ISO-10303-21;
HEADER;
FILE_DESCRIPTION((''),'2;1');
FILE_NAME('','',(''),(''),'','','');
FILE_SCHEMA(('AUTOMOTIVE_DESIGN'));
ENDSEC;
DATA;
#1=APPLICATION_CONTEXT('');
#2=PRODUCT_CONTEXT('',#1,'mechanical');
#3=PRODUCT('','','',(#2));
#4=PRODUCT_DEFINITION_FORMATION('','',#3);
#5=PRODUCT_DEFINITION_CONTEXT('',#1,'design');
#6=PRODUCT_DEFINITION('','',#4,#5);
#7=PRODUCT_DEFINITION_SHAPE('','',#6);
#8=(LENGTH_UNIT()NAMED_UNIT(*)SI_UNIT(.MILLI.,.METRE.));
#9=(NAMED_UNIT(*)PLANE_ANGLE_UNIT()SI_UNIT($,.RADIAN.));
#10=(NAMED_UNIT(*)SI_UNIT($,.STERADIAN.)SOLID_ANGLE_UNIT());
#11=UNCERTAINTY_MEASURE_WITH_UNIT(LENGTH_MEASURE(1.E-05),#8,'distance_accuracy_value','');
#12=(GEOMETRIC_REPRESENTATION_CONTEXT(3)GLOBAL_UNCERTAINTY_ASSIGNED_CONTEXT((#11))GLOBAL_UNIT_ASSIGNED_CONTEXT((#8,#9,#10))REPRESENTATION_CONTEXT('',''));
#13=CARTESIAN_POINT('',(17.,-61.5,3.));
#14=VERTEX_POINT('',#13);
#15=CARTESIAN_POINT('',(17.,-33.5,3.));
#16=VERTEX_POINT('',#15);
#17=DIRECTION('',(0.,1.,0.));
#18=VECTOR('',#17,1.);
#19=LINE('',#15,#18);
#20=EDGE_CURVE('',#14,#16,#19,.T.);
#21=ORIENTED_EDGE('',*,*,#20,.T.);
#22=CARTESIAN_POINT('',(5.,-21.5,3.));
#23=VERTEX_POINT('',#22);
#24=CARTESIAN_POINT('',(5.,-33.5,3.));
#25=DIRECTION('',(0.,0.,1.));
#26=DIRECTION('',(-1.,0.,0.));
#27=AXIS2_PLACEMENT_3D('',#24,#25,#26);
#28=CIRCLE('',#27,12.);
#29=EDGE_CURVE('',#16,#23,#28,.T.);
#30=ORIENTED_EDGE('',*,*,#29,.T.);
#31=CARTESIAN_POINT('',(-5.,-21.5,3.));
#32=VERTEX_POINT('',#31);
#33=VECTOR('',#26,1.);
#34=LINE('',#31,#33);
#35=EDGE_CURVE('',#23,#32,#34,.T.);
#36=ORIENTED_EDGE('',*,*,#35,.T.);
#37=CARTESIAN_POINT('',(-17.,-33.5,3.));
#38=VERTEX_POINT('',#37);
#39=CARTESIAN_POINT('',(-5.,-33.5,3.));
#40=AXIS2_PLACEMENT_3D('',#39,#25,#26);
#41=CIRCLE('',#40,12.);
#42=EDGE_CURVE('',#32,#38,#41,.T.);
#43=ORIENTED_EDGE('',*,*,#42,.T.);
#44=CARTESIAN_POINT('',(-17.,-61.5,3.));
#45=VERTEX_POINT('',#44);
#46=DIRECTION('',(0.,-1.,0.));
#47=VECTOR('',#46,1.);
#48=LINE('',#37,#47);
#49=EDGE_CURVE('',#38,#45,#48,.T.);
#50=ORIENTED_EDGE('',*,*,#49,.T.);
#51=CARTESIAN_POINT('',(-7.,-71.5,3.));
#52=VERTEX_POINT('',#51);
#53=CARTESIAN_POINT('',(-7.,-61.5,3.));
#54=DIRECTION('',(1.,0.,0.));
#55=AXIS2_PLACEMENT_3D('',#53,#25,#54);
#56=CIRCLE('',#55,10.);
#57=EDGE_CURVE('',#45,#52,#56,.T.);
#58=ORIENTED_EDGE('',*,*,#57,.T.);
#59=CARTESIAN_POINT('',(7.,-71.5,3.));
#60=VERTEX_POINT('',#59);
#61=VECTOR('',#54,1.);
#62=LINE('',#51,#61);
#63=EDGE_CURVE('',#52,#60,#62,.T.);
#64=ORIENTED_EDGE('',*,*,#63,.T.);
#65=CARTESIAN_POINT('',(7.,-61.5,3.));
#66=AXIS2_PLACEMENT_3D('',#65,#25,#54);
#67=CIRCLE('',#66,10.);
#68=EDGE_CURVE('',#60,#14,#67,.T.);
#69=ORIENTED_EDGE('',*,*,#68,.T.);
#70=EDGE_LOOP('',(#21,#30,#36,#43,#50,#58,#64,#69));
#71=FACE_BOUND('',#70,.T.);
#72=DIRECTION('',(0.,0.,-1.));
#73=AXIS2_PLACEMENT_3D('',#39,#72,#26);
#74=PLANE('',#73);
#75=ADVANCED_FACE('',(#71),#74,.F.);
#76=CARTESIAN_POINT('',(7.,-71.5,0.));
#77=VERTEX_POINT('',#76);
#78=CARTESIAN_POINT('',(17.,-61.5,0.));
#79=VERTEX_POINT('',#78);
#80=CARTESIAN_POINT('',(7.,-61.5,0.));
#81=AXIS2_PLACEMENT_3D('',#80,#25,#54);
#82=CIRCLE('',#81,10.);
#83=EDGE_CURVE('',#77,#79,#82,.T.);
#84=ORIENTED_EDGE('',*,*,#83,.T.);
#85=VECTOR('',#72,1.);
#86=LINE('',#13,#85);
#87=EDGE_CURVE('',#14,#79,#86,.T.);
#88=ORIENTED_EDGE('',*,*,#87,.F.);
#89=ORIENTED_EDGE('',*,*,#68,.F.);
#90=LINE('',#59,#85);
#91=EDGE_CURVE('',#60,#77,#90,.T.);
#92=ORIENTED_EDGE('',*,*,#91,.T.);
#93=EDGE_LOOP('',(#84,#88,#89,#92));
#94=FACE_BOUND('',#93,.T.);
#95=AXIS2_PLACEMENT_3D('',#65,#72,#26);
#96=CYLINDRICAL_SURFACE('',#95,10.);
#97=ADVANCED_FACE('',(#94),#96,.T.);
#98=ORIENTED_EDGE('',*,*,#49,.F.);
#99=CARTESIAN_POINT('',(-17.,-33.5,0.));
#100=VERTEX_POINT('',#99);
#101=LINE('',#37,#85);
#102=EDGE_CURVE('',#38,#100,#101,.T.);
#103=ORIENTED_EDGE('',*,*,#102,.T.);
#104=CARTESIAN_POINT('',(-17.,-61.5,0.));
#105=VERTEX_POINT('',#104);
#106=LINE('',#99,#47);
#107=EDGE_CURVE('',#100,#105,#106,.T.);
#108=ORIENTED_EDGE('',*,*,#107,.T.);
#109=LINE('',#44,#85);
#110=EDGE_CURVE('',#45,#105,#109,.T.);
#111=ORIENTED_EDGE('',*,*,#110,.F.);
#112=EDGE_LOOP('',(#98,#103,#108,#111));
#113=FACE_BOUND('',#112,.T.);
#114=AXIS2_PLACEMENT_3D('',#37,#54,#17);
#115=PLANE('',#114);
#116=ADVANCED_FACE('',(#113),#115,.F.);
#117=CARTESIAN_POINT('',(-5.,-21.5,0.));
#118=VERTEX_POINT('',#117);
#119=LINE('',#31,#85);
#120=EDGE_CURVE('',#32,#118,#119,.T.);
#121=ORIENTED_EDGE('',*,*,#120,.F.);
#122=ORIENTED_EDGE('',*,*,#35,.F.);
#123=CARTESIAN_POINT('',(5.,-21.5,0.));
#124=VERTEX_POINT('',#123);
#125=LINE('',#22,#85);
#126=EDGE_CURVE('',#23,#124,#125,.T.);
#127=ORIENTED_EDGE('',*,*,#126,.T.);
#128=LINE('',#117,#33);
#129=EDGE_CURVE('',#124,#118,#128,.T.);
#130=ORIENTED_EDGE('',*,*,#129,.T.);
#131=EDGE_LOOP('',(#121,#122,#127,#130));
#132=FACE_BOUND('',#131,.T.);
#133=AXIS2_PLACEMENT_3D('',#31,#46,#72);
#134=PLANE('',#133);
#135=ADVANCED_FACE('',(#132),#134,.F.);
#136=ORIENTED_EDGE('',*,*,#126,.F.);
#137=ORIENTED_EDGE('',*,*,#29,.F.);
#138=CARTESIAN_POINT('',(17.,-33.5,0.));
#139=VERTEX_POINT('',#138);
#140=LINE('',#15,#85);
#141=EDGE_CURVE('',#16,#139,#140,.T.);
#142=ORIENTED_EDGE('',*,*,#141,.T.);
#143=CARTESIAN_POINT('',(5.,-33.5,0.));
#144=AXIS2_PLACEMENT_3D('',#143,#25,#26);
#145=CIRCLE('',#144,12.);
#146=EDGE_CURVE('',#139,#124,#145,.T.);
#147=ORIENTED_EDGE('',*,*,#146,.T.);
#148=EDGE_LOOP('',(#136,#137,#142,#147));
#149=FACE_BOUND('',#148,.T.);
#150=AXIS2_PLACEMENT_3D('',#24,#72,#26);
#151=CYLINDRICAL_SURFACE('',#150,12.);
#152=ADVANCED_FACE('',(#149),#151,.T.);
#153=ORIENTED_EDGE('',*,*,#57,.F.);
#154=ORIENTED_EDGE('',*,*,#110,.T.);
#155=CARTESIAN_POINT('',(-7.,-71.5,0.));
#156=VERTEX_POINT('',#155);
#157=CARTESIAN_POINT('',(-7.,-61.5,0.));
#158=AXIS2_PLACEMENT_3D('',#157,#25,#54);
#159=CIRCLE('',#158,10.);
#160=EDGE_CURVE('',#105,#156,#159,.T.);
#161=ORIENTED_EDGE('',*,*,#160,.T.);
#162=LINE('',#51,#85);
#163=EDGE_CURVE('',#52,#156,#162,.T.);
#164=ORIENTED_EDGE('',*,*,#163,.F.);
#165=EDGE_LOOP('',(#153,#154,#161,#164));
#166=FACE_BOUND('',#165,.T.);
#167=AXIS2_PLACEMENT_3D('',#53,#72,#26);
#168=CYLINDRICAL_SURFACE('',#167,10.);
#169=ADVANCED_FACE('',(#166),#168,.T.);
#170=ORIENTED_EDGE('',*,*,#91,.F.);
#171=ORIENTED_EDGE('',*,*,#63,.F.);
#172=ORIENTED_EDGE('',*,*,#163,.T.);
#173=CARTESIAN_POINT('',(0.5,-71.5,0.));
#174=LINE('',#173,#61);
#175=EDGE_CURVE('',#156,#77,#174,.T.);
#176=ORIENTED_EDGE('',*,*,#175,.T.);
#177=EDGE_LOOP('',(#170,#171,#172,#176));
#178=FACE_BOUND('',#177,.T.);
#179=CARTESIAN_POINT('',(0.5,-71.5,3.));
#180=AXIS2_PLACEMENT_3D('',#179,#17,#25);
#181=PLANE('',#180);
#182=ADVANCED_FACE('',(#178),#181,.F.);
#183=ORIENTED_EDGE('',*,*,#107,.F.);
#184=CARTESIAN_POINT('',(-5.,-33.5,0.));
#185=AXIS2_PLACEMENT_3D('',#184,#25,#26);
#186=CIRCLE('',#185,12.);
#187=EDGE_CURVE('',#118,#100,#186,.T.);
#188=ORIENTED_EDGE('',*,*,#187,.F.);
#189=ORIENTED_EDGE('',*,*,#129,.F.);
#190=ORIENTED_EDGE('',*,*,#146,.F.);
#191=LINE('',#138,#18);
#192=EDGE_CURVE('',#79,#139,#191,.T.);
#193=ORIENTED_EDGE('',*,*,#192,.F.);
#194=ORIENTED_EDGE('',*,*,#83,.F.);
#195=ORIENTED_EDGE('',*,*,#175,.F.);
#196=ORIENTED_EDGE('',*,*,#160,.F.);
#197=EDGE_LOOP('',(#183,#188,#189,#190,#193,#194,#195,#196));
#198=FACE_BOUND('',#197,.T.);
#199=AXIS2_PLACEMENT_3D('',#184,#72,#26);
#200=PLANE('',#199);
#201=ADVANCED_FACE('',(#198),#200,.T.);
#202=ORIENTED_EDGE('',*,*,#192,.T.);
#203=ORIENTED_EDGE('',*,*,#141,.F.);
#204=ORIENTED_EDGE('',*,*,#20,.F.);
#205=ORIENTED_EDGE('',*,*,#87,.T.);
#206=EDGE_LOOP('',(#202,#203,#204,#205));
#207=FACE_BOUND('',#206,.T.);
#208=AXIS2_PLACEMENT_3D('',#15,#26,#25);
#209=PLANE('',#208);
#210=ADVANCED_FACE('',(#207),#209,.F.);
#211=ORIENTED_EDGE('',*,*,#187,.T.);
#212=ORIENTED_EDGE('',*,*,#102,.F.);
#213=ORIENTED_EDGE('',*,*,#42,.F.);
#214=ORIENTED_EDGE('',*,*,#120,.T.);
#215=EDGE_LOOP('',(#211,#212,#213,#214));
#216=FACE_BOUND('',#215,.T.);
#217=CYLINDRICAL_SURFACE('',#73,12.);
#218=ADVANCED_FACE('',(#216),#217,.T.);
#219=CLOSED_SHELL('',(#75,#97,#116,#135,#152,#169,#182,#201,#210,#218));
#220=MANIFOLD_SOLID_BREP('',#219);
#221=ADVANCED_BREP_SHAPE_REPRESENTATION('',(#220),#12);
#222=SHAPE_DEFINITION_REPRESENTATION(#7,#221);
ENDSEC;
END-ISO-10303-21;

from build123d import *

# Parameters (mm, degrees)
BOSS_EXTRUDE1_DEPTH = 3


with BuildPart() as part:
    # Sketch1 → Boss-Extrude1 (new body)
    with BuildSketch(Plane.XY):
        with BuildLine():
            Line((-5, -21.5), (5, -21.5))
            ThreePointArc((5, -21.5), (13.485281374, -25.014718626), (17, -33.5))
            Line((17, -33.5), (17, -61.5))
            ThreePointArc((17, -61.5), (14.071067812, -68.571067812), (7, -71.5))
            Line((7, -71.5), (0.5, -71.5))
            Line((0.5, -71.5), (-0.5, -71.5))
            Line((-0.5, -71.5), (-7, -71.5))
            ThreePointArc((-7, -71.5), (-14.071067812, -68.571067812), (-17, -61.5))
            Line((-17, -61.5), (-17, -33.5))
            ThreePointArc((-17, -33.5), (-13.485281374, -25.014718626), (-5, -21.5))
        make_face()
    extrude(amount=BOSS_EXTRUDE1_DEPTH)


solid = part.part
